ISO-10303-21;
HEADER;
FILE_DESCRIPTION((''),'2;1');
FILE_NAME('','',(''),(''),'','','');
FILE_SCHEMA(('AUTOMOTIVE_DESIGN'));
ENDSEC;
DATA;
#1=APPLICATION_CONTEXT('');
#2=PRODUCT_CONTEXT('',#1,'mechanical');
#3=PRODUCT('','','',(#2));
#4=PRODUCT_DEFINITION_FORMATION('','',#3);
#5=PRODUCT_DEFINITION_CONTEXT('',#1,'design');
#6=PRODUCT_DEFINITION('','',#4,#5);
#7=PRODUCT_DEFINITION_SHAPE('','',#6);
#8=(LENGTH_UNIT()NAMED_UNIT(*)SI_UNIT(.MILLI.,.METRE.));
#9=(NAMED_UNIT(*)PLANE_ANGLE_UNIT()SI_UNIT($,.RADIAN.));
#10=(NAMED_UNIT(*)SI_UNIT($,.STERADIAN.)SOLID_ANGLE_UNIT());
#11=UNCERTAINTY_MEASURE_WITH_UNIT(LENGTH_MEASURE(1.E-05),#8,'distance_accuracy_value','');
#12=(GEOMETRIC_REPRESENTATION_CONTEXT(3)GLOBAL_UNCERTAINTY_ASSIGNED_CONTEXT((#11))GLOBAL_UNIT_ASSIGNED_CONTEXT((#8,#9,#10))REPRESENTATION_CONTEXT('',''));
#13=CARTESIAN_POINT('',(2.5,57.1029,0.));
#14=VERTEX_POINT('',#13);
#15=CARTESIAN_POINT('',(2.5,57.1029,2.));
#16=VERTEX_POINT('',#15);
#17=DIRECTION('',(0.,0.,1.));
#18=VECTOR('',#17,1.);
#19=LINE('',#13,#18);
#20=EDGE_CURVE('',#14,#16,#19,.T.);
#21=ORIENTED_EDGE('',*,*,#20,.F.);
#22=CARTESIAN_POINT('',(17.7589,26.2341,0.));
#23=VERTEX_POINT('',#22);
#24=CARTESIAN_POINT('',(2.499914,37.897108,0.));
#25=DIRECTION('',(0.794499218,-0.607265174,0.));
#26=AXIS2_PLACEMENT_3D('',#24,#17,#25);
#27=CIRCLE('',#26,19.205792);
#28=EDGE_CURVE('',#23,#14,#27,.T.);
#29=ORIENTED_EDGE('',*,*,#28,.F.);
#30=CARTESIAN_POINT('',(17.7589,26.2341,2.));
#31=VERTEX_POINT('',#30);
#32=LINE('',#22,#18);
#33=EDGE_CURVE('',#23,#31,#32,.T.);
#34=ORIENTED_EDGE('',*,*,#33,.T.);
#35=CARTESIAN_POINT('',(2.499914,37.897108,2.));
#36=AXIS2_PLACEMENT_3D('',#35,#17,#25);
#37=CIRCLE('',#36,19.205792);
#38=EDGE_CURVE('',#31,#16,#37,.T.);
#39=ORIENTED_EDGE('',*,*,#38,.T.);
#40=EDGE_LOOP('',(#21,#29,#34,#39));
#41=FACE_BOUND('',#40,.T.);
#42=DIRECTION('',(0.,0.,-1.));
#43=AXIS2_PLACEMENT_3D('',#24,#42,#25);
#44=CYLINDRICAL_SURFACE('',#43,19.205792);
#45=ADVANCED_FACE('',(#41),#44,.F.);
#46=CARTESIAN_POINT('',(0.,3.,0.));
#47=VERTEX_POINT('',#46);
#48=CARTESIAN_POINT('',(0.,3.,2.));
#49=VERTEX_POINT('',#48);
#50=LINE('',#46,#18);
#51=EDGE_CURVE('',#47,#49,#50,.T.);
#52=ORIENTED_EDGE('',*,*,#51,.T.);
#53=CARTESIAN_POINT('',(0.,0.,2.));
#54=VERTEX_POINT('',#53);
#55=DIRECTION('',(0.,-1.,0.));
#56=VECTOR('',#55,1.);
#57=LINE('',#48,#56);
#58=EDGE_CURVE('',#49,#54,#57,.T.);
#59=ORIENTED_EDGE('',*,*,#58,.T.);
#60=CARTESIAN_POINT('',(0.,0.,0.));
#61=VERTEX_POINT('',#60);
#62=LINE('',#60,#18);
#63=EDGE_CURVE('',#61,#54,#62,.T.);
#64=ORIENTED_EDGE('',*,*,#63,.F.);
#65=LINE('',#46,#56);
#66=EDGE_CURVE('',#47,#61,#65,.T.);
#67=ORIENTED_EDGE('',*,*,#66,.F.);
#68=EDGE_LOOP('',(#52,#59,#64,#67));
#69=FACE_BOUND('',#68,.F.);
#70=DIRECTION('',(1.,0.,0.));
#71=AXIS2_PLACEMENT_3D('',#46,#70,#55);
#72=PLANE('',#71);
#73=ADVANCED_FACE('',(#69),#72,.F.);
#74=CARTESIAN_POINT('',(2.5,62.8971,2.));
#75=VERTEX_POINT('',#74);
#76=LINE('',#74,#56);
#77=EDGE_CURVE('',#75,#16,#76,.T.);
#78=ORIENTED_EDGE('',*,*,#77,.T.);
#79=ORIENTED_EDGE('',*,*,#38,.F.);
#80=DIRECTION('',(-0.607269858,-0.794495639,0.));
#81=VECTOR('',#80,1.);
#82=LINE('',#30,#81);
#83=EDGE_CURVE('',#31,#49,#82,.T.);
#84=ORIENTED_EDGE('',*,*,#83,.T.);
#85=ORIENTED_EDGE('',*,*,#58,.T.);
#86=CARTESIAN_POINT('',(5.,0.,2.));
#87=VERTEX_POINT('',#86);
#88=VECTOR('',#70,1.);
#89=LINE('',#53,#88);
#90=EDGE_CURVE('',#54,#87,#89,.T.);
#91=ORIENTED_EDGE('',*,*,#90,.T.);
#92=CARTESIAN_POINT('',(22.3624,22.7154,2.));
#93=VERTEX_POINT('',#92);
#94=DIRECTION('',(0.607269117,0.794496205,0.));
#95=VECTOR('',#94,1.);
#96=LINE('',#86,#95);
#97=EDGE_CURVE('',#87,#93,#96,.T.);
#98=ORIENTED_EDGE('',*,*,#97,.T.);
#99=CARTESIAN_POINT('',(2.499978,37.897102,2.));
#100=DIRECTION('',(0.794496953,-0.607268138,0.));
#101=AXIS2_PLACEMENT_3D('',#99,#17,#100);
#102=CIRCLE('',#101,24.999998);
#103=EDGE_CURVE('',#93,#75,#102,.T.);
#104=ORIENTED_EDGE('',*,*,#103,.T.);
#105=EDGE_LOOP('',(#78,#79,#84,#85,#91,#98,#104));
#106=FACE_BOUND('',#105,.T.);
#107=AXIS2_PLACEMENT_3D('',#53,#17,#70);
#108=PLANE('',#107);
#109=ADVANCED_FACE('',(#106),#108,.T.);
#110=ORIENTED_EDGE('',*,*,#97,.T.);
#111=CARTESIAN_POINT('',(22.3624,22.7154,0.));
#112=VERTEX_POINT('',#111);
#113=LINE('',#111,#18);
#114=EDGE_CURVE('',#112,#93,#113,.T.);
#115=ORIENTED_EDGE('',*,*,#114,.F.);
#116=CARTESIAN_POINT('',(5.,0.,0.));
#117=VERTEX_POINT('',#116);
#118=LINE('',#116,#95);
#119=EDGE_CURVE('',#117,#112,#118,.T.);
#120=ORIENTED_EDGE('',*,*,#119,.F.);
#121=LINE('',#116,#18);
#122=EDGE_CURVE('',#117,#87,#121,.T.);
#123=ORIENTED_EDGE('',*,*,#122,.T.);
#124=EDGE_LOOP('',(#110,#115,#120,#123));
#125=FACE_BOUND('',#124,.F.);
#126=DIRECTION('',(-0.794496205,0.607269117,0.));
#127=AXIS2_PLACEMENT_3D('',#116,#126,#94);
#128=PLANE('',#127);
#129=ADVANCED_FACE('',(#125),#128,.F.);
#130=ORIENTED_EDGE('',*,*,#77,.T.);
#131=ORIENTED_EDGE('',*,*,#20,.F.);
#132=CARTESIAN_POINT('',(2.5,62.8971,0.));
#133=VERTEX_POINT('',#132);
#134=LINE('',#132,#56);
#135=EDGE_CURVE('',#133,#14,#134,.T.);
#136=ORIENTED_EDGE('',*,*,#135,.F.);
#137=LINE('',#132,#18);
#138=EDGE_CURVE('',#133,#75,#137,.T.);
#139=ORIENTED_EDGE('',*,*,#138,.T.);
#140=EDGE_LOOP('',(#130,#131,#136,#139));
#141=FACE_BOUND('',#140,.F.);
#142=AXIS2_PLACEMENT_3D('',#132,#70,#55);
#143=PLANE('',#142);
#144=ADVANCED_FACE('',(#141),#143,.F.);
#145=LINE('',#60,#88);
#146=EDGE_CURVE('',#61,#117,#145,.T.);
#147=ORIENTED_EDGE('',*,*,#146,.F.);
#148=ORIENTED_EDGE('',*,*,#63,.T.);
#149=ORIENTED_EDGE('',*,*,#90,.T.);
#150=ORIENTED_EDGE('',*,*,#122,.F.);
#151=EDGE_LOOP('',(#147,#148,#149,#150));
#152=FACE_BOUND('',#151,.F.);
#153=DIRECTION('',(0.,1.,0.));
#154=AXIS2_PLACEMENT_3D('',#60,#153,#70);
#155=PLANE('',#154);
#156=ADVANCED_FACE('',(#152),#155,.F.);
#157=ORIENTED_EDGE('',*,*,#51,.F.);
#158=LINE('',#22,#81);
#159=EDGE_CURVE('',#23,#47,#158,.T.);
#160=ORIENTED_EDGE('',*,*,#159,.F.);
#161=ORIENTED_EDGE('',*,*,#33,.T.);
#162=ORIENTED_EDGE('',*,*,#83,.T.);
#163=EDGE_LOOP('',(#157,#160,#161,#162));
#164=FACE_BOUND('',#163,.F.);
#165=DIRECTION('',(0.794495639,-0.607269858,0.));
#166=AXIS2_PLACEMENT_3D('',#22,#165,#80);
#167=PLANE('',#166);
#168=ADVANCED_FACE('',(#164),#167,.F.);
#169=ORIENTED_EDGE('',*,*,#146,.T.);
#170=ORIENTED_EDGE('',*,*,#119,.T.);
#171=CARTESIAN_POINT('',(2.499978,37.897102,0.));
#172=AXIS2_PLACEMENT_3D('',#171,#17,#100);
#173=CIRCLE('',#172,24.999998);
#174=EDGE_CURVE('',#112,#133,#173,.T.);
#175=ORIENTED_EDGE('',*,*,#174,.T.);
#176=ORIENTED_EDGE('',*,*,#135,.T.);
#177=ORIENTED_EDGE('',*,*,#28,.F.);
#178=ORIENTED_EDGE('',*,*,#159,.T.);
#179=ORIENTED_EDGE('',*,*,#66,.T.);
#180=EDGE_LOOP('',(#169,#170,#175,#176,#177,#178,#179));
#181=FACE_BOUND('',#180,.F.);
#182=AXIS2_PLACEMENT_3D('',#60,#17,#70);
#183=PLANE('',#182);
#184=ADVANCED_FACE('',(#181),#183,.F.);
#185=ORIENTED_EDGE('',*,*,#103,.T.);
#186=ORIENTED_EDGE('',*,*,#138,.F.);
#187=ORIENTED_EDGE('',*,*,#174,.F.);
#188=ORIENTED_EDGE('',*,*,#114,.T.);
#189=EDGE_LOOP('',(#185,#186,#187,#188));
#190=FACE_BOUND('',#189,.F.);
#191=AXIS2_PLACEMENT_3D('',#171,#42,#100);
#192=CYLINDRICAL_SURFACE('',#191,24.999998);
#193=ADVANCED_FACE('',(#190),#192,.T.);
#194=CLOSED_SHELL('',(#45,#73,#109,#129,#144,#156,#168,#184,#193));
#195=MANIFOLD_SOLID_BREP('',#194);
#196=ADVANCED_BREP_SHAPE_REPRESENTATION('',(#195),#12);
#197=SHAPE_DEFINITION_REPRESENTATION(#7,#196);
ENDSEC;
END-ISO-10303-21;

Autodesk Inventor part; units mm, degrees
ref_plane "YZ Plane" through (0, 0, 0) normal (1, 0, 0) x (0, 1, 0)
ref_plane "XZ Plane" through (0, 0, 0) normal (0, 1, 0) x (-1, 0, 0)
ref_plane "XY Plane" through (0, 0, 0) normal (0, 0, 1) x (1, 0, 0)
sketch "Skizze1" plane through (0, 0, 0) normal (0, 0, 1) x (1, 0, 0)
  line L0 (0, 0) -> (5, 0)
  line L1 (5, 0) -> (22.3624, 22.7154)
  arc A0 (22.3624, 22.7154) -> (2.5, 62.8971) centre (2.5, 37.8971) ccw
  line L2 (2.5, 62.8971) -> (2.5, 57.1029)
  arc A1 (17.7589, 26.2341) -> (2.5, 57.1029) centre (2.5, 37.8971) ccw
  line L3 (17.7589, 26.2341) -> (0, 3)
  line L4 (0, 3) -> (0, 0)
  point P0 (2.5, 0)
  point P1 (2.5, 60)
  dimension "d0" = 3
  dimension "d1" = 5
  dimension "d2" = 25
  dimension "d3" = 60
extrude "Extrusion1" add sketch "Skizze1" along normal blind 2
properties part number "LEDholderv_3D-Druck"
